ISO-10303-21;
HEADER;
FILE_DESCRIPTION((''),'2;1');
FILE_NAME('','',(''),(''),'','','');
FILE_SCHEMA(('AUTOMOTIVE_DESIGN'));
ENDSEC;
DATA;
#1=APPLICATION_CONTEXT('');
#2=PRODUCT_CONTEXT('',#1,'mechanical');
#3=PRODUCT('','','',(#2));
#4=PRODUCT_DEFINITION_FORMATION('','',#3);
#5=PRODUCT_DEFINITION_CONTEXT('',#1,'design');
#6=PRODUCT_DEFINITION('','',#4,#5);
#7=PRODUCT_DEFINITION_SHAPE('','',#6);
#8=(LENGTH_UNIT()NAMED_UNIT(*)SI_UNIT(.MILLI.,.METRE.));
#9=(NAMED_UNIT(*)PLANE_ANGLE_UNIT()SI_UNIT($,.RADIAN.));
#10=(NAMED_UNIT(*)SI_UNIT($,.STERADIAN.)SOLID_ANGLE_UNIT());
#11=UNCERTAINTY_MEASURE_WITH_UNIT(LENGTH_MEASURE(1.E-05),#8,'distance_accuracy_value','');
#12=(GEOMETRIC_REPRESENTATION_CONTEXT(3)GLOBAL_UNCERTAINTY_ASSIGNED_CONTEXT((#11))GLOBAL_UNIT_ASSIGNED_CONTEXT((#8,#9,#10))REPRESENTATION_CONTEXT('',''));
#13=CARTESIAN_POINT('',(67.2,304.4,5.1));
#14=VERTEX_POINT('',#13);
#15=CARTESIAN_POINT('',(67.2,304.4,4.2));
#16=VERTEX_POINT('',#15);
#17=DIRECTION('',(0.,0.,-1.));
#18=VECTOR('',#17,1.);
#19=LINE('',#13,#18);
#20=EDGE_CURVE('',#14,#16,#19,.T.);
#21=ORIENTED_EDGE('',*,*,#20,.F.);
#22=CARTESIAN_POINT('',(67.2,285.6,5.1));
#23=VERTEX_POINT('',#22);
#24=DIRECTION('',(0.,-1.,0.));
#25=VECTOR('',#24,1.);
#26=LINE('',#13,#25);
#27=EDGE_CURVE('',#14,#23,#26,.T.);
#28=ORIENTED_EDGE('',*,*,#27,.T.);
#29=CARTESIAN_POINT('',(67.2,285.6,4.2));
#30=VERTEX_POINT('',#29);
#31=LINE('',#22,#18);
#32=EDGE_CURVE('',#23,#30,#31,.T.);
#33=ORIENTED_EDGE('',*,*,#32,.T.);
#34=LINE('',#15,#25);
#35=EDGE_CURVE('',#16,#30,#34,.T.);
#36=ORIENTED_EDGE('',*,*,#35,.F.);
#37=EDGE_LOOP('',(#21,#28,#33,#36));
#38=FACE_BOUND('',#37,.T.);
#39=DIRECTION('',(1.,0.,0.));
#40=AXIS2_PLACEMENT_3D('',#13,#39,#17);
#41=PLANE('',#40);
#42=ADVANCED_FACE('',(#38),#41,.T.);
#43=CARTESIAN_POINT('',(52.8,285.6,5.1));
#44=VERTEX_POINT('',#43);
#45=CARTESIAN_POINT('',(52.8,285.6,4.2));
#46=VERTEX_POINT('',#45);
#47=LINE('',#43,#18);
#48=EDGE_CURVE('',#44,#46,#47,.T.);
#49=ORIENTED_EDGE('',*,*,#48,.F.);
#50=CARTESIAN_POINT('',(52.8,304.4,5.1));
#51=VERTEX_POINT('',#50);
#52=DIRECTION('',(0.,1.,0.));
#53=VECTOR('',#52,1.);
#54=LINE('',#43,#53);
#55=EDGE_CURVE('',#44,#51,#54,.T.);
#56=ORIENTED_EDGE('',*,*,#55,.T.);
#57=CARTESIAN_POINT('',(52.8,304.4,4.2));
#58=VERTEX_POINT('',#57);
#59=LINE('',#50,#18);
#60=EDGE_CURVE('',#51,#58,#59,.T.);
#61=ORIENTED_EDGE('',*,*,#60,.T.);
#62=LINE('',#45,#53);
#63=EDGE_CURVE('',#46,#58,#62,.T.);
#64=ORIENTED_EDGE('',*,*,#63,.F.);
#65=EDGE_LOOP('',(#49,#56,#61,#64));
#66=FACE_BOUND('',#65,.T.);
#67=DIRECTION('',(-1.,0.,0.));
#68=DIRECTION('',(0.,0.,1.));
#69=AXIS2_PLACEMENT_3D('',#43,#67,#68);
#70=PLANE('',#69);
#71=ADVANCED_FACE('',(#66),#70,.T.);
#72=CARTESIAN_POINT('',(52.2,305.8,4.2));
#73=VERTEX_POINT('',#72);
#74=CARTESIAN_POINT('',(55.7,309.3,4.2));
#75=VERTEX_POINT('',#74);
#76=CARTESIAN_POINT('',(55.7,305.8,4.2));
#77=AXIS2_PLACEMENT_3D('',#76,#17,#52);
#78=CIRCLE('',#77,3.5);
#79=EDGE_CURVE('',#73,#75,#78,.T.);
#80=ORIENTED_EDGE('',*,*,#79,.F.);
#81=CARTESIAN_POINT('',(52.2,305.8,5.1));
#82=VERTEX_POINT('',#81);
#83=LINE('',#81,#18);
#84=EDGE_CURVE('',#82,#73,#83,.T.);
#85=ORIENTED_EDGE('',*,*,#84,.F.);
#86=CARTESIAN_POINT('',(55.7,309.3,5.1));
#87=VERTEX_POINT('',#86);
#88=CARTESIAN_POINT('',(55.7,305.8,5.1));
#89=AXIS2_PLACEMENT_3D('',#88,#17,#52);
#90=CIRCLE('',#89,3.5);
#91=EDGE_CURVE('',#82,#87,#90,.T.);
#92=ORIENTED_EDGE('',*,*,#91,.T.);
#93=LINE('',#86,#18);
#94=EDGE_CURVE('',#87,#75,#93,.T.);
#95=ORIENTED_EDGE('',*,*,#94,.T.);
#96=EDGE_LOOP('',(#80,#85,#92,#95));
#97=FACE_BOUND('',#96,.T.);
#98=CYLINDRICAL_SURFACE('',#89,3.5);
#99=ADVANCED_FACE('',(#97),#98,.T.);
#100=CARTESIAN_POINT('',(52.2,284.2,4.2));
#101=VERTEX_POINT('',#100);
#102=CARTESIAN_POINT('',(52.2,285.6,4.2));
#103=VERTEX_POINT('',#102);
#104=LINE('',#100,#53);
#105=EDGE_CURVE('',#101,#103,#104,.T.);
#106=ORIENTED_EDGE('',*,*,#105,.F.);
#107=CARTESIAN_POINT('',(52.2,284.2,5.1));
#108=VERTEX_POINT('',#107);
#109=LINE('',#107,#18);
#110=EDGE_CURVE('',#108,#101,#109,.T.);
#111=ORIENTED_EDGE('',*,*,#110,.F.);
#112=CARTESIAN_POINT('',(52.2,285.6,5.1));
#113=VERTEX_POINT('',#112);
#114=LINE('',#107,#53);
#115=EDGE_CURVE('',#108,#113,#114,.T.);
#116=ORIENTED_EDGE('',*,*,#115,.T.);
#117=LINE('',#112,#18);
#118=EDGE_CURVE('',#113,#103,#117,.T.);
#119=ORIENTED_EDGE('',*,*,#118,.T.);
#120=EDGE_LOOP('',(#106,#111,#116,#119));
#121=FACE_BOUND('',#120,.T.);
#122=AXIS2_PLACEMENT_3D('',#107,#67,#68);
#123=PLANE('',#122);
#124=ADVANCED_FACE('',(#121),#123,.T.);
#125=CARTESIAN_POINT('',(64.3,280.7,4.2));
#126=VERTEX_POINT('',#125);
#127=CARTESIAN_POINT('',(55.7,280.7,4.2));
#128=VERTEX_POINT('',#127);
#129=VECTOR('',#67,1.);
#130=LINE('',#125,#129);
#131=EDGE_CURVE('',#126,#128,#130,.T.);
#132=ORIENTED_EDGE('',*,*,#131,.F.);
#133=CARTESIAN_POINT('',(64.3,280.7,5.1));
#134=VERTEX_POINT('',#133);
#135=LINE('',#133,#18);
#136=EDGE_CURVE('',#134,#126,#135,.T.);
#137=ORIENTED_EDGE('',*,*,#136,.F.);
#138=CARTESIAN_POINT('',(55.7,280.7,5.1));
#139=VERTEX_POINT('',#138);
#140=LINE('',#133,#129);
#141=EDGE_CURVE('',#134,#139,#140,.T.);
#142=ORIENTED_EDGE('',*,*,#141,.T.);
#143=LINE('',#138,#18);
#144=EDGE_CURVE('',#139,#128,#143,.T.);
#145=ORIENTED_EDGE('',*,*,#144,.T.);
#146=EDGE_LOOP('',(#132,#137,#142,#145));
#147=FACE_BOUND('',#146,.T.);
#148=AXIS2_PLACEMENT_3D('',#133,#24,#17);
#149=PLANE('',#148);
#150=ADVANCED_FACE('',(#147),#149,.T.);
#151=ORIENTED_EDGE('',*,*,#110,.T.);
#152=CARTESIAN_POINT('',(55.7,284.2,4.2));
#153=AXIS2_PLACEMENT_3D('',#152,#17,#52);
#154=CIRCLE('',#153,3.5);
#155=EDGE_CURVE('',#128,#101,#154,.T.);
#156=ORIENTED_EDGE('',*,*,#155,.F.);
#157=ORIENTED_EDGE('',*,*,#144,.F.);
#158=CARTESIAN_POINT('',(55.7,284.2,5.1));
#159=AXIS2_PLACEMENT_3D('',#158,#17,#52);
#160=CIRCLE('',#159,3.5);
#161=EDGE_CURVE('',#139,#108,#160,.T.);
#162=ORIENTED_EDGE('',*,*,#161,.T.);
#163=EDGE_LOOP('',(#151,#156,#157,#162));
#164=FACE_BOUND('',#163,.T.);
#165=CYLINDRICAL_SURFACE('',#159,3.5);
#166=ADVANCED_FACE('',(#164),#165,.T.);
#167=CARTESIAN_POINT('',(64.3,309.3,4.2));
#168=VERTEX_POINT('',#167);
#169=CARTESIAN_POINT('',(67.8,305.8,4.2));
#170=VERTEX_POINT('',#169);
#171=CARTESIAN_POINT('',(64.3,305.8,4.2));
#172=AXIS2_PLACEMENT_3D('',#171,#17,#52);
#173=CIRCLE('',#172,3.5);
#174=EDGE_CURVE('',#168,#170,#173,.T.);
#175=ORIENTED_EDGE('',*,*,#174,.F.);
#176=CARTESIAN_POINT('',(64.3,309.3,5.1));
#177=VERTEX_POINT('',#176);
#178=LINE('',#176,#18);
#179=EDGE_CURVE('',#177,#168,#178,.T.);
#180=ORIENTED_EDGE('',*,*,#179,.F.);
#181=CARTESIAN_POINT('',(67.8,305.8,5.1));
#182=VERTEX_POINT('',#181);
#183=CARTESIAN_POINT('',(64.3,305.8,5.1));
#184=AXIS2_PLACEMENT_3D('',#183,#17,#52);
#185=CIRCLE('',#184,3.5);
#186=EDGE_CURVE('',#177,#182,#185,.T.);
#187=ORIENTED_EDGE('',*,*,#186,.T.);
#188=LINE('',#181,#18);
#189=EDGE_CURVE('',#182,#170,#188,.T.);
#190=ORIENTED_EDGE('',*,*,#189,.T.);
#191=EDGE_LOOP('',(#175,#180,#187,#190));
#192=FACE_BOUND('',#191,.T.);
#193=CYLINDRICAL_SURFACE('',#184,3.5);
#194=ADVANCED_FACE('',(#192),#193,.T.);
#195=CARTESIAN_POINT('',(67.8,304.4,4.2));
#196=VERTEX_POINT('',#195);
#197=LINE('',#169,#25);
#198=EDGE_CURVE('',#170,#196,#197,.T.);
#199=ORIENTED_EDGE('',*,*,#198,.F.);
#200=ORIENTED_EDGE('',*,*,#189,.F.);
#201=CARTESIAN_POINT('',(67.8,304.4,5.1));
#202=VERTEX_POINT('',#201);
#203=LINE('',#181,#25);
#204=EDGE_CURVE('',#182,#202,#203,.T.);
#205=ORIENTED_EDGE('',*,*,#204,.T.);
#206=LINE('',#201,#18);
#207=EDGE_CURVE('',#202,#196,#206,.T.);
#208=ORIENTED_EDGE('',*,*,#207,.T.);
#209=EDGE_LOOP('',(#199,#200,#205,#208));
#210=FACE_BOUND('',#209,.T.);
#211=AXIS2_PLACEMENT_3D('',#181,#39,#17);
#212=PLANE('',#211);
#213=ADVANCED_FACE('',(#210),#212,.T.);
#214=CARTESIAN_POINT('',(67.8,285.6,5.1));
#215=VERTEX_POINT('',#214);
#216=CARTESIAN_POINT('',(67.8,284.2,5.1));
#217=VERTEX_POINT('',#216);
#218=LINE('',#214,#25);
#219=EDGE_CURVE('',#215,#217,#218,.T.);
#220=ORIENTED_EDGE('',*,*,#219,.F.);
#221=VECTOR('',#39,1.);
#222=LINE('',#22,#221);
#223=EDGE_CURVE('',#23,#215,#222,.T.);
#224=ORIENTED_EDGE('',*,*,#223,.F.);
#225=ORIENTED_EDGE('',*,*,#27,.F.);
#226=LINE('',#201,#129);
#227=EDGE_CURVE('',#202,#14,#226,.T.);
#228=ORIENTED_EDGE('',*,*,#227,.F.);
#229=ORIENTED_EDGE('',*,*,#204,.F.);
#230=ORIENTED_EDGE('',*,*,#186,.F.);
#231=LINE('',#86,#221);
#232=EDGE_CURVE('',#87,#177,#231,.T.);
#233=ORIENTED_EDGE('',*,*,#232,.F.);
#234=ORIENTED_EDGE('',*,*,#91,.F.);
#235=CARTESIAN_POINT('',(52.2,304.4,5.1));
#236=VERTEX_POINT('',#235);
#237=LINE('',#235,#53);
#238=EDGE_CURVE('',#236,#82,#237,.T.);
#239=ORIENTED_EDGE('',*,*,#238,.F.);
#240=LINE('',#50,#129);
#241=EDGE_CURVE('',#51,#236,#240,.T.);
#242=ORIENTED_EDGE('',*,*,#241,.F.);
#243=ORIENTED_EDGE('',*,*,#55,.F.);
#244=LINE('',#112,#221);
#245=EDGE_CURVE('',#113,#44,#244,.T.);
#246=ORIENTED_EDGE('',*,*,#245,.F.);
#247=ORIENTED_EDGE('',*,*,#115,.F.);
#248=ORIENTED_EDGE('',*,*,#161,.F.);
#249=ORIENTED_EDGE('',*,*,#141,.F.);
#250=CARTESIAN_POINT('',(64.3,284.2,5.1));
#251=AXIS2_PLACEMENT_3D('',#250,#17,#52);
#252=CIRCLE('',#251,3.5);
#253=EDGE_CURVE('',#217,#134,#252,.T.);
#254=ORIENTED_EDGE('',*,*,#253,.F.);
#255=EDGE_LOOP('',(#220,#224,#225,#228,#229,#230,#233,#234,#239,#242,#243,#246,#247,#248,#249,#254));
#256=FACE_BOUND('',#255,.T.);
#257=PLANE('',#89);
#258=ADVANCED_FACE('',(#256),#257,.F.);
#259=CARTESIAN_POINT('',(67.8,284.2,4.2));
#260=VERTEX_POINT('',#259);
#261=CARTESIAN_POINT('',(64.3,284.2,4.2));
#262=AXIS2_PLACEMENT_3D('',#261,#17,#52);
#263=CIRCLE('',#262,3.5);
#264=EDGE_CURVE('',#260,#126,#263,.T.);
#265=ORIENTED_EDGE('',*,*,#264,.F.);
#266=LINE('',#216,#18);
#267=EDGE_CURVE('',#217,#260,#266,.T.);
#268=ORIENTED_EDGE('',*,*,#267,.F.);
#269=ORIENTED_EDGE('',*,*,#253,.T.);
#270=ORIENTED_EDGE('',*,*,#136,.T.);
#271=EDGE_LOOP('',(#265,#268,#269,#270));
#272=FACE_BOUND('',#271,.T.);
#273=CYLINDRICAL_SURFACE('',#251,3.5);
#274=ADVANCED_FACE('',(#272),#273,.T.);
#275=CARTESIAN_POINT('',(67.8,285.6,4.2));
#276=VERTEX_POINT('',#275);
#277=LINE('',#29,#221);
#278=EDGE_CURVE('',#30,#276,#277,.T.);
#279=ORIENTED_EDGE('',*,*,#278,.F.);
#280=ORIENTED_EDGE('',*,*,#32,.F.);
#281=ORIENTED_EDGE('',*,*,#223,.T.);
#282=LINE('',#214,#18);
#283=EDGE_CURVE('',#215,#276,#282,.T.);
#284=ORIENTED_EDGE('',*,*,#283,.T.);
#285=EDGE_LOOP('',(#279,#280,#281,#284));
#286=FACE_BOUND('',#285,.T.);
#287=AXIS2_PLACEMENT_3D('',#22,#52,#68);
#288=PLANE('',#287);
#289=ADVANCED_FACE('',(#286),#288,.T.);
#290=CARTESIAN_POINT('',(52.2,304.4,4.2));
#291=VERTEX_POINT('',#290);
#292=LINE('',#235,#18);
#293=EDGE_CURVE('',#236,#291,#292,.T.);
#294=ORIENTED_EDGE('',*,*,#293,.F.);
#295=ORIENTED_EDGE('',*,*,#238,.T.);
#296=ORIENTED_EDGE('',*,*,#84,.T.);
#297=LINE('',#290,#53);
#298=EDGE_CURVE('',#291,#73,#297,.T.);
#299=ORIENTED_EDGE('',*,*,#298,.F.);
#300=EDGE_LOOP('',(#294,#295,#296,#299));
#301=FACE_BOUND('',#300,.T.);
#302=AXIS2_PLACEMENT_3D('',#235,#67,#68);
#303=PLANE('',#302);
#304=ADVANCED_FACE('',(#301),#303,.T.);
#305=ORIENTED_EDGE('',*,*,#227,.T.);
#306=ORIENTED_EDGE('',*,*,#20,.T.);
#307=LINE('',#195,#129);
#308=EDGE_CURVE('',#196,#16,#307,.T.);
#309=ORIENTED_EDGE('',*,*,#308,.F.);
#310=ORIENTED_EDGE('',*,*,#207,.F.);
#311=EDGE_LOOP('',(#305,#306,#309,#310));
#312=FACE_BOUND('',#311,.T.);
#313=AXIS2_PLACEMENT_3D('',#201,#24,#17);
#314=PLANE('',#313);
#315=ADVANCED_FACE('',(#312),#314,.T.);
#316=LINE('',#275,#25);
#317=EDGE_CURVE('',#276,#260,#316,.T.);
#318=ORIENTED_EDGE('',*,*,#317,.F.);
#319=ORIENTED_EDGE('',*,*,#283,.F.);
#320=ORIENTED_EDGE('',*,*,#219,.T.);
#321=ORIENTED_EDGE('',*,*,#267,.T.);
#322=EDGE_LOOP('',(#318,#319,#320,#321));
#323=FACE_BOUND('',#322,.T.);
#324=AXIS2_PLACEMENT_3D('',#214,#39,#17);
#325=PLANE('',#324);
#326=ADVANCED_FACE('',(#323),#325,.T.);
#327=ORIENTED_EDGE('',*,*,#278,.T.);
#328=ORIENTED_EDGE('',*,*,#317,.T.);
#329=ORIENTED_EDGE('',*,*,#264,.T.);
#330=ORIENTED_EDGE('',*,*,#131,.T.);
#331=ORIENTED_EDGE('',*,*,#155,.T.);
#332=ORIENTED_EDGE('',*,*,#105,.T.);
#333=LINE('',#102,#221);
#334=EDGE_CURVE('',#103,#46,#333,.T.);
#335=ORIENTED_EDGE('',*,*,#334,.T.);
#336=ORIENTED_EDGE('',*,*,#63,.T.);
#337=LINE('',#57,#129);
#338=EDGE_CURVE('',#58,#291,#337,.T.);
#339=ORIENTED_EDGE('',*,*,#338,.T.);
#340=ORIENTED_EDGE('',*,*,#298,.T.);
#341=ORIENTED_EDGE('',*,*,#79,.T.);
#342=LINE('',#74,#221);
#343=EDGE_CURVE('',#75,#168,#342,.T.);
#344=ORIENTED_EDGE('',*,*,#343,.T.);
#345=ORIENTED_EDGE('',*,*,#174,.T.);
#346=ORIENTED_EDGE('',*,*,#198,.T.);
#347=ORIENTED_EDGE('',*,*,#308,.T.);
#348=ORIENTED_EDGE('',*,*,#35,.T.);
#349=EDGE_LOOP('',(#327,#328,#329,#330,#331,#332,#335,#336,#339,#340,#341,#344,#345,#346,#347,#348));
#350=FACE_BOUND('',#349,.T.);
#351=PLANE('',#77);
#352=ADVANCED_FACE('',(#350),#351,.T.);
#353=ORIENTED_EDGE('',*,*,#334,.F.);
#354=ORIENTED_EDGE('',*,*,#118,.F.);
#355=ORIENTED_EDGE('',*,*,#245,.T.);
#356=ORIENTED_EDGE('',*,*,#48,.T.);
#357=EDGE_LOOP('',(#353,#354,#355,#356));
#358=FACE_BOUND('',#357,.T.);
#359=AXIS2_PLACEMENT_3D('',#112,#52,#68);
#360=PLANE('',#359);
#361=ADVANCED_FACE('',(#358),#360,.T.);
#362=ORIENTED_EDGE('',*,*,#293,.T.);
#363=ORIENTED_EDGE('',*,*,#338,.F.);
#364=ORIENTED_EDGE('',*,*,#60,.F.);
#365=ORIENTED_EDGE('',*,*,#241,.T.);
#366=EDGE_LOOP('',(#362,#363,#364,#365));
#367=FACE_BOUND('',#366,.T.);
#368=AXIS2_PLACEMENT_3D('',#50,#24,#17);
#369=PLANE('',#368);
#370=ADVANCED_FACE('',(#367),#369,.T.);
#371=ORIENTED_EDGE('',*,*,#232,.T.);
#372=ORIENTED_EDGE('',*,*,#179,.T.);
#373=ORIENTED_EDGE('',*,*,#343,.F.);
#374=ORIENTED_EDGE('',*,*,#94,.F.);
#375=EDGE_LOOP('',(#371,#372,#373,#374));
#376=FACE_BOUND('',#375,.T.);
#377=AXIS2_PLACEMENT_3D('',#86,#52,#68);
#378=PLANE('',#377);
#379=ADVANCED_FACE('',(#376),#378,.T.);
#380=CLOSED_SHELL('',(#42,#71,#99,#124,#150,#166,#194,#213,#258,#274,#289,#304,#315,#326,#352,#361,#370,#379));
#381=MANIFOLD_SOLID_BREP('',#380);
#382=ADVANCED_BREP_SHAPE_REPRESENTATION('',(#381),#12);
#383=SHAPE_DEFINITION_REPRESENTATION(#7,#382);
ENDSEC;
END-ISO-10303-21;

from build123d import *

# Parameters (mm, degrees)
EXTRUDE1_DEPTH = 0.9


with BuildPart() as part:
    # Sketch1 → Extrude1 (new body)
    with BuildSketch(Plane(origin=(0, 0, 4.2), x_dir=(-1, 0, 0), z_dir=(0, 0, -1))):
        with BuildLine():
            Line((-55.7, 309.3), (-64.3, 309.3))
            ThreePointArc((-64.3, 309.3), (-66.774873734, 308.274873734), (-67.8, 305.8))
            Line((-67.8, 305.8), (-67.8, 304.4))
            Line((-67.8, 304.4), (-67.2, 304.4))
            Line((-67.2, 304.4), (-67.2, 285.6))
            Line((-67.2, 285.6), (-67.8, 285.6))
            Line((-67.8, 285.6), (-67.8, 284.2))
            ThreePointArc((-67.8, 284.2), (-66.774873734, 281.725126266), (-64.3, 280.7))
            Line((-64.3, 280.7), (-55.7, 280.7))
            ThreePointArc((-55.7, 280.7), (-53.225126266, 281.725126266), (-52.2, 284.2))
            Line((-52.2, 284.2), (-52.2, 285.6))
            Line((-52.2, 285.6), (-52.8, 285.6))
            Line((-52.8, 285.6), (-52.8, 304.4))
            Line((-52.8, 304.4), (-52.2, 304.4))
            Line((-52.2, 304.4), (-52.2, 305.8))
            ThreePointArc((-52.2, 305.8), (-53.225126266, 308.274873734), (-55.7, 309.3))
        make_face()
    extrude(amount=-EXTRUDE1_DEPTH)


solid = part.part
